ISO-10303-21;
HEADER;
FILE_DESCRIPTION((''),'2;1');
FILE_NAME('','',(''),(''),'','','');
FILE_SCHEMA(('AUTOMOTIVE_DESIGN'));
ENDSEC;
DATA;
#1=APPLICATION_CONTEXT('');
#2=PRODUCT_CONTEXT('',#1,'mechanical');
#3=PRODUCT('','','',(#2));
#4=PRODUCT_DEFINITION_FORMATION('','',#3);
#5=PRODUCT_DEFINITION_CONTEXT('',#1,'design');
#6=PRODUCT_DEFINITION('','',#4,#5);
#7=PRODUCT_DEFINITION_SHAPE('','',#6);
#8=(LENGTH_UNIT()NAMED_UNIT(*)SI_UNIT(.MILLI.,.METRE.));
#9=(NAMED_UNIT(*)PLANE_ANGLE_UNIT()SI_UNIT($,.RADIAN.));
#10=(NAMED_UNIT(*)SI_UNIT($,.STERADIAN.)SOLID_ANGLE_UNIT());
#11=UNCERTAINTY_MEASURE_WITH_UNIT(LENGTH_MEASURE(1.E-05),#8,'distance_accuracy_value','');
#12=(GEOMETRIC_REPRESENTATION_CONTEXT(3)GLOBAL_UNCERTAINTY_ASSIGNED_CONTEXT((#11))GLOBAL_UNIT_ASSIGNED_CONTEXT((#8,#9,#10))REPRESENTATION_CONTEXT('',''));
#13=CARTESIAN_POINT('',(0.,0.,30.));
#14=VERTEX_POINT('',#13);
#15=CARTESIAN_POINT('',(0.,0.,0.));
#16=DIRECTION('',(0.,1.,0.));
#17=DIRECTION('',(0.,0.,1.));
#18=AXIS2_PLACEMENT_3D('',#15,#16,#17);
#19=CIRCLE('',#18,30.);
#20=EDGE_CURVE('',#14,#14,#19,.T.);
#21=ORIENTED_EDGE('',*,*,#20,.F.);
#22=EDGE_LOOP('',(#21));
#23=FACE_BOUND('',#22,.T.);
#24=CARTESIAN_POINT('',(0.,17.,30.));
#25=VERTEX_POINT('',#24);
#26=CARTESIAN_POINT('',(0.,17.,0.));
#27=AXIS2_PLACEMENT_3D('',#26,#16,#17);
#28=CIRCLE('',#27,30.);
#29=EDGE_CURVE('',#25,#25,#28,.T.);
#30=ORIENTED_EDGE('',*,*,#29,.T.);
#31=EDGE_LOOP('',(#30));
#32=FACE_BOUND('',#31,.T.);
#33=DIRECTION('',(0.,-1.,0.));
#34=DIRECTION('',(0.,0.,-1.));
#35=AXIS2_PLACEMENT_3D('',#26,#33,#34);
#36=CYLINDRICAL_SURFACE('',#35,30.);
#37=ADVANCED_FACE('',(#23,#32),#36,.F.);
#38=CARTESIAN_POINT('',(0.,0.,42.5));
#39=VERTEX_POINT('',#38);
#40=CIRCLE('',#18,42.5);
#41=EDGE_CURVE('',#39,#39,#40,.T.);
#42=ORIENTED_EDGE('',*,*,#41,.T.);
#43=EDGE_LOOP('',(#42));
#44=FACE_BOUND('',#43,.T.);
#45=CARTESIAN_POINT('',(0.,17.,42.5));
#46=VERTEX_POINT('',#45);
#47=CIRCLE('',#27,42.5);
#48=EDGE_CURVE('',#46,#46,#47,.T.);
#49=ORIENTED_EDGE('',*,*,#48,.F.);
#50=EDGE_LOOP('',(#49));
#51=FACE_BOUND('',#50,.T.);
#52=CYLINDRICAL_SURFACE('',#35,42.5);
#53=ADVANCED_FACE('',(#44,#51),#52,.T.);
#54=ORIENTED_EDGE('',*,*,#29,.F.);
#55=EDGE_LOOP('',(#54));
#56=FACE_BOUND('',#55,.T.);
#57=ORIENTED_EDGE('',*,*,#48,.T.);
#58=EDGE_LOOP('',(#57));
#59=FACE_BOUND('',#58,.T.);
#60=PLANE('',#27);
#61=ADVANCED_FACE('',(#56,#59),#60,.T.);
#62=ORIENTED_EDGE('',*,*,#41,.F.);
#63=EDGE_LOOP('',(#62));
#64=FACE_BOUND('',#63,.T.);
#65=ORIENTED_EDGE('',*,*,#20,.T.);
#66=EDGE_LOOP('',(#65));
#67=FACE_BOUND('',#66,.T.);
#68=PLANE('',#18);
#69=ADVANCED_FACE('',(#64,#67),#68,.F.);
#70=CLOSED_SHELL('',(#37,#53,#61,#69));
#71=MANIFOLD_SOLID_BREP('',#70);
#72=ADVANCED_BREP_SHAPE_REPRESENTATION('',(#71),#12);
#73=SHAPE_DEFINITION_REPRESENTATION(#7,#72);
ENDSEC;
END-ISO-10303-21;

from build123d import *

# Parameters (mm, degrees)
SKETCH_2_R      = 42.5
SKETCH_2_R_2    = 30
EXTRUDE_1_DEPTH = 17


with BuildPart() as part:
    # 草图2 → 凸台-拉伸1 (new body)
    with BuildSketch(Plane(origin=(0, 0, 0), x_dir=(1, 0, 0), z_dir=(0, 1, 0))):
        Circle(SKETCH_2_R)
        Circle(SKETCH_2_R_2, mode=Mode.SUBTRACT)
    extrude(amount=EXTRUDE_1_DEPTH)


solid = part.part
